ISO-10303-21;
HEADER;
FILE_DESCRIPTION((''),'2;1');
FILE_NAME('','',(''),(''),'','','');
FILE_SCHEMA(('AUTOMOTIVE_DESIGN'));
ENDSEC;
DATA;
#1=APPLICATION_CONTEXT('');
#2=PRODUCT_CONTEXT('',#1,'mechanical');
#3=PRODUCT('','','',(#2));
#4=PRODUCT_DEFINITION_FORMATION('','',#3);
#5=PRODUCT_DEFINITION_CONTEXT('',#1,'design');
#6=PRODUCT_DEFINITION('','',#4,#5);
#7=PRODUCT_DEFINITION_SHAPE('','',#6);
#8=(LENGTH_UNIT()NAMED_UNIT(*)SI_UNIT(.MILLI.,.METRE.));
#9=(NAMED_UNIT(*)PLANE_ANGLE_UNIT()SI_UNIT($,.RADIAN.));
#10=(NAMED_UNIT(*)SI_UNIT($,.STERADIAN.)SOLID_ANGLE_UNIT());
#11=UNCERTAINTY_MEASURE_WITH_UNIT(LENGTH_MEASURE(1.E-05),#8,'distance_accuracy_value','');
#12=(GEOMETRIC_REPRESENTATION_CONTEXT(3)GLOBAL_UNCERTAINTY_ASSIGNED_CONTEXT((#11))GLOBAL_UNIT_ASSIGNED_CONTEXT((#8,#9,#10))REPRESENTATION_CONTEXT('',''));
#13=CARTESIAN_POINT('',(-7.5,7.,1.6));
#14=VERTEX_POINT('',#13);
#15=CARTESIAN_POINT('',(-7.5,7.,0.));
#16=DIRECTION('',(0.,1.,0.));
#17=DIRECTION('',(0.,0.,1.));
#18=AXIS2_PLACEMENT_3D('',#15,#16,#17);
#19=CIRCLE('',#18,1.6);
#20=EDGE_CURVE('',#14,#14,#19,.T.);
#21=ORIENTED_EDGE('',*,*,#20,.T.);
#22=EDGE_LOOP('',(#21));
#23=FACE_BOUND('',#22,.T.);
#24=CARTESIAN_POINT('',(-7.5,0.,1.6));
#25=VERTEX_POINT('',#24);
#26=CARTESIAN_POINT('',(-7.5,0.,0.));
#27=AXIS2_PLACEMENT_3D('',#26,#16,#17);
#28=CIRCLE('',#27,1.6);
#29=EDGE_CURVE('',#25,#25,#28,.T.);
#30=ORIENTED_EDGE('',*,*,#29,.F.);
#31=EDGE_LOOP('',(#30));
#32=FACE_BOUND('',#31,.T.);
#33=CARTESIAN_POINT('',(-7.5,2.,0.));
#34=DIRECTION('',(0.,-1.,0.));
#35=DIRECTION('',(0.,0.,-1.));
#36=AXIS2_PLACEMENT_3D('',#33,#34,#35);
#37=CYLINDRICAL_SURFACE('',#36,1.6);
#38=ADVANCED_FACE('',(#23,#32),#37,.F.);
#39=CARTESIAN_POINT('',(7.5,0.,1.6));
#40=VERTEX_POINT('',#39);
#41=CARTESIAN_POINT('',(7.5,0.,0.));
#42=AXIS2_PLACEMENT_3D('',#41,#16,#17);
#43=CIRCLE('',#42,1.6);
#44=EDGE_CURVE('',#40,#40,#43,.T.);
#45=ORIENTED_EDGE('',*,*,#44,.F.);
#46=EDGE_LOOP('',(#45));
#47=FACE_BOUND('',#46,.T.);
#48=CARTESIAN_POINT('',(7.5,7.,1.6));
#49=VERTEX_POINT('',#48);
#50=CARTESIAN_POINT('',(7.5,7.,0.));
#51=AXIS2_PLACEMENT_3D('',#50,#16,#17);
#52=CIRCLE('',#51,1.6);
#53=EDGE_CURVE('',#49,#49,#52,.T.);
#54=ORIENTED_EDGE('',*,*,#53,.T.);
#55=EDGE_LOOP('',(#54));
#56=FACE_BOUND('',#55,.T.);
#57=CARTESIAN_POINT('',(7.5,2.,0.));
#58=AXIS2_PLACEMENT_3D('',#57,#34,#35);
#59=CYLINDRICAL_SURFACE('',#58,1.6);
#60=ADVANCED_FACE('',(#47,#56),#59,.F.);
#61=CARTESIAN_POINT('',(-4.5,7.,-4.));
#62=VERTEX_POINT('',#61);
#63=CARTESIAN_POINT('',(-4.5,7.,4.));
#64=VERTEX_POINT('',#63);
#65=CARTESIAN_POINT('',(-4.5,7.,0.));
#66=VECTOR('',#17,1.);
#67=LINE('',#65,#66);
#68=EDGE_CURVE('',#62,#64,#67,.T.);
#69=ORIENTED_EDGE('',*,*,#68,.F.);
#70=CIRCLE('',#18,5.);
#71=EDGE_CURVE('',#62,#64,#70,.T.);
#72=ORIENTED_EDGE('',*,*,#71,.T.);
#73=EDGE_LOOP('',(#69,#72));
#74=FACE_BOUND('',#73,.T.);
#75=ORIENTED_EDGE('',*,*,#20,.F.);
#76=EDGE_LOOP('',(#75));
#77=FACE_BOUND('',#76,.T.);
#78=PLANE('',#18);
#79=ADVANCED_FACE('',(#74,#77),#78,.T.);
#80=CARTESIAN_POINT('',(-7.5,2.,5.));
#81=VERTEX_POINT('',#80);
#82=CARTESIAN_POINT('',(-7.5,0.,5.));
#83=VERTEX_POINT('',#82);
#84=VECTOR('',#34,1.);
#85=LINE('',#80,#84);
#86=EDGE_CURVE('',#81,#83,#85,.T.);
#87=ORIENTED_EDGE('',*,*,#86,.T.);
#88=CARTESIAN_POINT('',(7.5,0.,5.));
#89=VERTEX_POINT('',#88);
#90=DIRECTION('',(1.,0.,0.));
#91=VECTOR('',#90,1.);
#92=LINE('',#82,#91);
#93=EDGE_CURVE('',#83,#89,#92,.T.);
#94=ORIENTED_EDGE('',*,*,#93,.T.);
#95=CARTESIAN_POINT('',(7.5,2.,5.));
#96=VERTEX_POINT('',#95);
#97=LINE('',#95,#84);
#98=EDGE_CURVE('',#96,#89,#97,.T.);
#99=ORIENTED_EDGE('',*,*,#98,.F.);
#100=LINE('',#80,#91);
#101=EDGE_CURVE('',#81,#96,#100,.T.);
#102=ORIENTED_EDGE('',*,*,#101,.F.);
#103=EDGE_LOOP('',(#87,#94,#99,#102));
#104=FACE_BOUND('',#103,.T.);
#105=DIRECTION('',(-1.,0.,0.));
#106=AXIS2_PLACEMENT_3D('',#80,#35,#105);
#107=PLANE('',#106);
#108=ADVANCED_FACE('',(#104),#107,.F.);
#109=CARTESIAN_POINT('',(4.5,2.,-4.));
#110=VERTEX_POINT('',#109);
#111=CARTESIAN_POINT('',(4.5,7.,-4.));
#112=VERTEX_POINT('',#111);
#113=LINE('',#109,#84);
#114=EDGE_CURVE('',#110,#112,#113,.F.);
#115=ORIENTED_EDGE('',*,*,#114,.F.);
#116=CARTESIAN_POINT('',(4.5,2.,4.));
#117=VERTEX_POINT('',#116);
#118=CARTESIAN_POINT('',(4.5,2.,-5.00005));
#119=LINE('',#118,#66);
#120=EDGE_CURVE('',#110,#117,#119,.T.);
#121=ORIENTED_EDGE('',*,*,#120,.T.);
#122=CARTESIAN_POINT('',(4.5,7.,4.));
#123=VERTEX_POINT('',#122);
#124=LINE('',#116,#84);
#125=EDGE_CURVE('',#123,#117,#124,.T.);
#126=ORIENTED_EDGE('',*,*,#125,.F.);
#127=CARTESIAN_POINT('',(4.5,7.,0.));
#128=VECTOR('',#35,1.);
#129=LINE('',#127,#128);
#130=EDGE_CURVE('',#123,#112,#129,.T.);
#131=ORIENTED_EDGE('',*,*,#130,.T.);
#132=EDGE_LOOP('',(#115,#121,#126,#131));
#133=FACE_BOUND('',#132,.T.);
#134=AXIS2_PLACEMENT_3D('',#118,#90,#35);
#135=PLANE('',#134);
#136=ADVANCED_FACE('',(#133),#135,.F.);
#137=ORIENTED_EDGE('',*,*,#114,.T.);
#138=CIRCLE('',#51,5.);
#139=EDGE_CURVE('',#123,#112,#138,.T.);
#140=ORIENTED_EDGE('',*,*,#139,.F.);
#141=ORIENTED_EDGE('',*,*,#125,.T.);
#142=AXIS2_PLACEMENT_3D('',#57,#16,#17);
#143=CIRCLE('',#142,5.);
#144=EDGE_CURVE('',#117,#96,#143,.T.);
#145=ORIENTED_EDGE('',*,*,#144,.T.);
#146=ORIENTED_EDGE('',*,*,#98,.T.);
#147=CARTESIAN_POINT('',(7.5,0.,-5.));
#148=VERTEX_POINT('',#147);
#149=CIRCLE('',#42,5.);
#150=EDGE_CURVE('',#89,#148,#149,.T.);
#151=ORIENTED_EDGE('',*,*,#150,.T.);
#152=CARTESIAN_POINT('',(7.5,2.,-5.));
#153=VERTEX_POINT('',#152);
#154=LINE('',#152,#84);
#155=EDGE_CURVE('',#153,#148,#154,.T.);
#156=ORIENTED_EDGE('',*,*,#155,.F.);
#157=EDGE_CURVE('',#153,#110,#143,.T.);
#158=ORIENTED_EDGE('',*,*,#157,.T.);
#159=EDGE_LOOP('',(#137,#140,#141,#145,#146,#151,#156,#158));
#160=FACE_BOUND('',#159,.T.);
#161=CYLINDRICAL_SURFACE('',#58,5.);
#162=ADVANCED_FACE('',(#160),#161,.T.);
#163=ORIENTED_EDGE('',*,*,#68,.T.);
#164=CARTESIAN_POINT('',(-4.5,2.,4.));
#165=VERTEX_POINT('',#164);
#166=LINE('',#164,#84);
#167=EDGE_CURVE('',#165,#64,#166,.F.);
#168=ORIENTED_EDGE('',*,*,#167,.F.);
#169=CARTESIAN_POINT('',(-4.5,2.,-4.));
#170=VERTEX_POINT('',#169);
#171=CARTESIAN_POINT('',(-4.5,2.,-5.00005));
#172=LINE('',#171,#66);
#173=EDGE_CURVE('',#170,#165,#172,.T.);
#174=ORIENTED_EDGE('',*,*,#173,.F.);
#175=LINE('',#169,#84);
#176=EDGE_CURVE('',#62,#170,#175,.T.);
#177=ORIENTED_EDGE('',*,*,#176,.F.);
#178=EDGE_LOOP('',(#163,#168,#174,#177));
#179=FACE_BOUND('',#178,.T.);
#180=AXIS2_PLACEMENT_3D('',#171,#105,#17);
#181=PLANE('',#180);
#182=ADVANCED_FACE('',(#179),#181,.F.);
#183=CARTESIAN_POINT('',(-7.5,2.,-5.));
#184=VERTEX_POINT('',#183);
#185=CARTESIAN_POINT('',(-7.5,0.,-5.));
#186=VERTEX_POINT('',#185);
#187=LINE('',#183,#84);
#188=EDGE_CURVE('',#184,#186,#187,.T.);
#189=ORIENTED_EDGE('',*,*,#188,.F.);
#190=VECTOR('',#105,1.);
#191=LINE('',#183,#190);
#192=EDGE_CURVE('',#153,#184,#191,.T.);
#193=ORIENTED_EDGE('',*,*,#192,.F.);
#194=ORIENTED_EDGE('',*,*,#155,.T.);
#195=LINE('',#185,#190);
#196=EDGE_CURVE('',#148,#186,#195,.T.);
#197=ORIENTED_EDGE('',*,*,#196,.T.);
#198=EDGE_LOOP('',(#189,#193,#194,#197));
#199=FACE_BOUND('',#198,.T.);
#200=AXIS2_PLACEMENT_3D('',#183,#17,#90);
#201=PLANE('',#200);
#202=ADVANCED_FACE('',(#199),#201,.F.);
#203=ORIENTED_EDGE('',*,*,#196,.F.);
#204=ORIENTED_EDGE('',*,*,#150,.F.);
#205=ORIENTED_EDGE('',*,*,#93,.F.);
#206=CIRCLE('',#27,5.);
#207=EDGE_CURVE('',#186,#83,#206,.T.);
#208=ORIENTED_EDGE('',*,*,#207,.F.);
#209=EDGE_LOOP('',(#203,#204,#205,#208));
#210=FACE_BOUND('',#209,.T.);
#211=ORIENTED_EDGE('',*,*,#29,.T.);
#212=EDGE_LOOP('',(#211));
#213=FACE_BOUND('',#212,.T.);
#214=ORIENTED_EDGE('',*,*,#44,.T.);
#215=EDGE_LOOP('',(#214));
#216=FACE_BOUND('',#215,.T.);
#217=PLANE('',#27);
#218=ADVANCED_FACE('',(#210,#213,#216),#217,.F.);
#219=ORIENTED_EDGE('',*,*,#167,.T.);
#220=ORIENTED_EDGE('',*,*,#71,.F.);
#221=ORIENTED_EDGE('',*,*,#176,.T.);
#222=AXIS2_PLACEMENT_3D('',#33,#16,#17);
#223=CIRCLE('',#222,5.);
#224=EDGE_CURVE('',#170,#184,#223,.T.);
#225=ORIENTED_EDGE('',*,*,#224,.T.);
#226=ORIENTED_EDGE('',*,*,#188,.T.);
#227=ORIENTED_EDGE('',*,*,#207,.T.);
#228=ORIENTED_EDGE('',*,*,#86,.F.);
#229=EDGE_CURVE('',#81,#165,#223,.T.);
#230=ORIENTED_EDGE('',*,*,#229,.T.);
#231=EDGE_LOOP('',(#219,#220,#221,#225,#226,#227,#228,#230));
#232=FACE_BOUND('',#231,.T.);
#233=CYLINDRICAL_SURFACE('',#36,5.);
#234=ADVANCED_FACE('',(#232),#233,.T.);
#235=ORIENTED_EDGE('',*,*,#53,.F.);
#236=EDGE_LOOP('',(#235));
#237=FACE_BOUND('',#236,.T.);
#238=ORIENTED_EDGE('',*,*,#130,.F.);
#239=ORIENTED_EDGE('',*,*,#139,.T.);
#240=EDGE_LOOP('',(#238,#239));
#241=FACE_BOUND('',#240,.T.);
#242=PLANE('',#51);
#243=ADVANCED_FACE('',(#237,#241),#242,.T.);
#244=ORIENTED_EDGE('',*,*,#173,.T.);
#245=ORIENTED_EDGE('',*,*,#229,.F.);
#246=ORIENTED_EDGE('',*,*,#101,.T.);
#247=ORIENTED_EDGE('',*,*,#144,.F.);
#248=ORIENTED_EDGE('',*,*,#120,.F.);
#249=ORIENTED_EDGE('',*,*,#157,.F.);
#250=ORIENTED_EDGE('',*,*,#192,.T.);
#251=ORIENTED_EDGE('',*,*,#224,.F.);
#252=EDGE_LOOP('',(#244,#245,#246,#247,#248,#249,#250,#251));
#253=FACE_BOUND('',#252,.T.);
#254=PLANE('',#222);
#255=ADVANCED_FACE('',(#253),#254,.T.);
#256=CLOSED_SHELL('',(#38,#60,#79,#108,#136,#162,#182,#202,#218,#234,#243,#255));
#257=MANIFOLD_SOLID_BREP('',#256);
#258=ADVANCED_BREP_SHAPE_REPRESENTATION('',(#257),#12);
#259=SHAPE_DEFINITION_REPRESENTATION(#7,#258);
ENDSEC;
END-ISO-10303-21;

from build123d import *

# Parameters (mm, degrees)
SKETCH1_R           = 1.6
BOSS_EXTRUDE1_DEPTH = 2
SKETCH2_R           = 5
SKETCH2_R_2         = 1.6
BOSS_EXTRUDE2_DEPTH = 5
SKETCH3_W           = 9
SKETCH3_H           = 5
CUT_EXTRUDE1_DEPTH  = 11


with BuildPart() as part:
    # Sketch1 → Boss-Extrude1 (new body)
    with BuildSketch(Plane(origin=(0, 0, 0), x_dir=(1, 0, 0), z_dir=(0, 1, 0))):
        with BuildLine():
            Line((-7.5, 5), (7.5, 5))
            ThreePointArc((7.5, 5), (12.5, 0), (7.5, -5))
            Line((7.5, -5), (-7.5, -5))
            ThreePointArc((-7.5, -5), (-12.5, 0), (-7.5, 5))
        make_face()
        with Locations((-7.5, 0)):
            Circle(SKETCH1_R, mode=Mode.SUBTRACT)
        with Locations((7.5, 0)):
            Circle(SKETCH1_R, mode=Mode.SUBTRACT)
    extrude(amount=BOSS_EXTRUDE1_DEPTH)

    # Sketch2 → Boss-Extrude2 (add)
    with BuildSketch(Plane(origin=(0, 2, 0), x_dir=(1, 0, 0), z_dir=(0, 1, 0))):
        with Locations((-7.5, 0)):
            Circle(SKETCH2_R)
        with Locations((-7.5, 0)):
            Circle(SKETCH2_R_2, mode=Mode.SUBTRACT)
        with Locations((7.5, 0)):
            Circle(SKETCH2_R)
        with Locations((7.5, 0)):
            Circle(SKETCH2_R_2, mode=Mode.SUBTRACT)
    extrude(amount=BOSS_EXTRUDE2_DEPTH)

    # Sketch3 → Cut-Extrude1 (cut, through all)
    with BuildSketch(Plane.XY.offset(5)):
        with Locations((0, 4.5)):
            Rectangle(SKETCH3_W, SKETCH3_H)
    extrude(amount=-CUT_EXTRUDE1_DEPTH, mode=Mode.SUBTRACT)


solid = part.part
